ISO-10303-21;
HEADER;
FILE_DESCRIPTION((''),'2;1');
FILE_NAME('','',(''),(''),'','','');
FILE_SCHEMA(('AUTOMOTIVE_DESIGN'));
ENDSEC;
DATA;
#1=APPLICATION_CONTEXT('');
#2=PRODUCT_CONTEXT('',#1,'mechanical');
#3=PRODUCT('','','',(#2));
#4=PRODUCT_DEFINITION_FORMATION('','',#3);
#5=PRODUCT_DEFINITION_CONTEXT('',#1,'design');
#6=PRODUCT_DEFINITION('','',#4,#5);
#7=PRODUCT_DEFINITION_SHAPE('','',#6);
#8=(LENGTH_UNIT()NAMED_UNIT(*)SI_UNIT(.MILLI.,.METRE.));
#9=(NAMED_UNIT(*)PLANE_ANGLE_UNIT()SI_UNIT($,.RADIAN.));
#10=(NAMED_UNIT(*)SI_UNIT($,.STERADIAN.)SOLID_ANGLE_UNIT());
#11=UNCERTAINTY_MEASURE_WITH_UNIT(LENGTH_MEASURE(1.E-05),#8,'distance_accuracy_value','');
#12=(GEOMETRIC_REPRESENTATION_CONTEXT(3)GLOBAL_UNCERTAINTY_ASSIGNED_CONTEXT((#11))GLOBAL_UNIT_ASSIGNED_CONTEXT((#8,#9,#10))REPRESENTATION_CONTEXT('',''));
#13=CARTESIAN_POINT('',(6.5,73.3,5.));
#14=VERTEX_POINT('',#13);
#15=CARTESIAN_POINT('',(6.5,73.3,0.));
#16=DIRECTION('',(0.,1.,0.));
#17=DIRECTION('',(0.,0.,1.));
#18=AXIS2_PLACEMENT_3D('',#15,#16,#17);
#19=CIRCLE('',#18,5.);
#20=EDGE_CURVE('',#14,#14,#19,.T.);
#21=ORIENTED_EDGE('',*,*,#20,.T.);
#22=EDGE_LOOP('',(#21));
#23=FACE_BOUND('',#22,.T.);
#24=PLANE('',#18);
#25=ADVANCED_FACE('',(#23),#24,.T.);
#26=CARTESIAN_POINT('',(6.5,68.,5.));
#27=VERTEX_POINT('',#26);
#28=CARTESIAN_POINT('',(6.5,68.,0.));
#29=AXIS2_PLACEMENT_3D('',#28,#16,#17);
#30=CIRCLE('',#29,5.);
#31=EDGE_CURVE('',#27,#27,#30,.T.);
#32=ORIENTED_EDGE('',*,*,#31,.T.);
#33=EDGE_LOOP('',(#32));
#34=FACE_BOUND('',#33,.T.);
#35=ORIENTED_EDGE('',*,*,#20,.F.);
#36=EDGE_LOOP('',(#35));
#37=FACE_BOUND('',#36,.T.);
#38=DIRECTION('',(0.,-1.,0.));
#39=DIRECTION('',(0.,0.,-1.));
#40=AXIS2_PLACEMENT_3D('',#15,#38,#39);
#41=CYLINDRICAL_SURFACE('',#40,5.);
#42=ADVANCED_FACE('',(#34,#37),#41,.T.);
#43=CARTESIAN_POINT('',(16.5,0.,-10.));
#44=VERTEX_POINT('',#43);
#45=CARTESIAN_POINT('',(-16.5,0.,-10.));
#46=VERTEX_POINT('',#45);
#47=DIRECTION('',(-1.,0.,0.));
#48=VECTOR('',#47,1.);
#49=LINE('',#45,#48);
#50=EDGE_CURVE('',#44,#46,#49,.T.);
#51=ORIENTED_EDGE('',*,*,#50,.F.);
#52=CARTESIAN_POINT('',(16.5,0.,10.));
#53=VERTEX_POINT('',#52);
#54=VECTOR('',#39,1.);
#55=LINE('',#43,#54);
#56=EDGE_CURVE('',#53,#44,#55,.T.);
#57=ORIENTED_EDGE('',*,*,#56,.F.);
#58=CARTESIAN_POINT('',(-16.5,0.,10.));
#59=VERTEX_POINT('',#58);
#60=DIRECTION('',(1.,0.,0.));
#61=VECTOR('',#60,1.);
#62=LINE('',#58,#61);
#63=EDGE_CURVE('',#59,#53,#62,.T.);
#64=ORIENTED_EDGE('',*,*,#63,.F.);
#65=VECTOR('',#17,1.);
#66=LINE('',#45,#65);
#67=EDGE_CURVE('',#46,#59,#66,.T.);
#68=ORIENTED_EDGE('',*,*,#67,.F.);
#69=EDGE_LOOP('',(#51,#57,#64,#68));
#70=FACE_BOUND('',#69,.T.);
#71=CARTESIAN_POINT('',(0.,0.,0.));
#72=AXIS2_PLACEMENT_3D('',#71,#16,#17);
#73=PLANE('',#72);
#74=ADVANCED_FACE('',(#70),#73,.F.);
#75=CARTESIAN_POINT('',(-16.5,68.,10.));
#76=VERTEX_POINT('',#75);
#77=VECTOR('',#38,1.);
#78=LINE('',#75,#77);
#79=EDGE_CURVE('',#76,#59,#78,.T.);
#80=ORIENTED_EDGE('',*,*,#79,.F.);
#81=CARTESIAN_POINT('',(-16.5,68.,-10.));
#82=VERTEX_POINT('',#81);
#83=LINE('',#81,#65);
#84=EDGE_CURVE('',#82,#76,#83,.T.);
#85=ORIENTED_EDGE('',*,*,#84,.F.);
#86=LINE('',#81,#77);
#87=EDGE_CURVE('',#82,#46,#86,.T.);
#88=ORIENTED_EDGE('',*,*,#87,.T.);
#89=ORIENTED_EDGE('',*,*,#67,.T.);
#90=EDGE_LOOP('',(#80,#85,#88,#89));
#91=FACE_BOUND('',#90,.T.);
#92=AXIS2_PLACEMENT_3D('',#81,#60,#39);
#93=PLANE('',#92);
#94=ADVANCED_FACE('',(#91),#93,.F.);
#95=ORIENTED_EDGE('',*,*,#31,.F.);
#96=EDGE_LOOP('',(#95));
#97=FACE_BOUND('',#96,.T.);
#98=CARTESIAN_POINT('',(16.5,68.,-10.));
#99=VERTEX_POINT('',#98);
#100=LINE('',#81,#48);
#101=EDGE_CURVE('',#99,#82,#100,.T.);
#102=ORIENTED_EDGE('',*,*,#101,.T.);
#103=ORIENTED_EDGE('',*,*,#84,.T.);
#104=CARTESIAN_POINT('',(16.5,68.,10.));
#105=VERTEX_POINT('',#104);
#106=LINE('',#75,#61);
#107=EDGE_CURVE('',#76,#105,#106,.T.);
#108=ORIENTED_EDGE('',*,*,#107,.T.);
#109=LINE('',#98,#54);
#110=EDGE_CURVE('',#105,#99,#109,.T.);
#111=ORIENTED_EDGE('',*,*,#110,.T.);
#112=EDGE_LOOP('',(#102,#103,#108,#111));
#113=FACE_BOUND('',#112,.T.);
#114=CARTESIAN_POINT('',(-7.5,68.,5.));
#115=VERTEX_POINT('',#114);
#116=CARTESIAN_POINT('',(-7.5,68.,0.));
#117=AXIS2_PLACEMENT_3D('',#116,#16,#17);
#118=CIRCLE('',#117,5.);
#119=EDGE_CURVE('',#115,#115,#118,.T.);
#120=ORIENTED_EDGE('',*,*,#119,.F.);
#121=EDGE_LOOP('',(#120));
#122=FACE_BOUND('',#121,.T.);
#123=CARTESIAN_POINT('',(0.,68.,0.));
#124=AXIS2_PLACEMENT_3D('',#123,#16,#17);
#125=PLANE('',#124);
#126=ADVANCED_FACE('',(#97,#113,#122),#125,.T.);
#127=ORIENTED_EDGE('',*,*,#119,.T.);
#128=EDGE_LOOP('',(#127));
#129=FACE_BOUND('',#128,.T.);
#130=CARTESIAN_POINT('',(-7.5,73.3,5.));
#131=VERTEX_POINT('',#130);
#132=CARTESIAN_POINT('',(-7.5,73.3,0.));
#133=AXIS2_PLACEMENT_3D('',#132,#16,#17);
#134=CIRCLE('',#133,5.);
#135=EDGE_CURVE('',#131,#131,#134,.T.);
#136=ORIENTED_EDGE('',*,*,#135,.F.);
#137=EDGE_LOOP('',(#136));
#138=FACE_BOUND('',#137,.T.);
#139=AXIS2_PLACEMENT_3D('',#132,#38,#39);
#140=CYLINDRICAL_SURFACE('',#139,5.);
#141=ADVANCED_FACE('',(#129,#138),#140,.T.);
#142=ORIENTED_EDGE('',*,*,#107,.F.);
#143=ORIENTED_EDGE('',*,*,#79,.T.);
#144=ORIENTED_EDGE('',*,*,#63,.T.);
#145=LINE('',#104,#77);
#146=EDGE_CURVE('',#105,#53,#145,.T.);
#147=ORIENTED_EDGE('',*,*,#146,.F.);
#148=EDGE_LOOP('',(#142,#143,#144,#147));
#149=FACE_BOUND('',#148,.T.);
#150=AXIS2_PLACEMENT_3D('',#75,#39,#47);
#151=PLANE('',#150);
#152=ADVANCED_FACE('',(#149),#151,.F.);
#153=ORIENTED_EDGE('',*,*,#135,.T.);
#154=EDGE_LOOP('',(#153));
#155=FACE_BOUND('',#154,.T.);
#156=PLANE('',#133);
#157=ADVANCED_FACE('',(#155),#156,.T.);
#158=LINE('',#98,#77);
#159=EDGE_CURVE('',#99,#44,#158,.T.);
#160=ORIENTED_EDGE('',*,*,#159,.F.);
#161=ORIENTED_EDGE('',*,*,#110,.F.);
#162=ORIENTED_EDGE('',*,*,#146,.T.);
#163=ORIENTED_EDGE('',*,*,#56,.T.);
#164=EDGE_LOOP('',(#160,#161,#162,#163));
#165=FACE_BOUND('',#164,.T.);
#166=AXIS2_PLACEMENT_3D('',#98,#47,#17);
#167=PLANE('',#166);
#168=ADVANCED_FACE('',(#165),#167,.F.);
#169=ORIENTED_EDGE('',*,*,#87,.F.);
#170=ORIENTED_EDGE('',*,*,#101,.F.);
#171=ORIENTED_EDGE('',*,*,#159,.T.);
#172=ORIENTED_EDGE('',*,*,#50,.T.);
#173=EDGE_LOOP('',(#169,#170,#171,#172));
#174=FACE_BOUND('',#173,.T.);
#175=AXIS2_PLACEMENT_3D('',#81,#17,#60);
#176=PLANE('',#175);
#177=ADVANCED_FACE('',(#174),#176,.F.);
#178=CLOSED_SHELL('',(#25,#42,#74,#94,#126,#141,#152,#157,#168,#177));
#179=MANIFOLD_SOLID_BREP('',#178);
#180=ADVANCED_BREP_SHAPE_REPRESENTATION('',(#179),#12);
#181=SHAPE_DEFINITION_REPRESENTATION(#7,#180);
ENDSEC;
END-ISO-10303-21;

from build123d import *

# Parameters (mm, degrees)
SKETCH1_W           = 33
SKETCH1_H           = 20
BOSS_EXTRUDE2_DEPTH = 68
SKETCH2_R           = 5
BOSS_EXTRUDE3_DEPTH = 5.3


with BuildPart() as part:
    # Sketch1 → Boss-Extrude2 (new body)
    with BuildSketch(Plane(origin=(0, 0, 0), x_dir=(1, 0, 0), z_dir=(0, 1, 0))):
        Rectangle(SKETCH1_W, SKETCH1_H)
    extrude(amount=BOSS_EXTRUDE2_DEPTH)

    # Sketch2 → Boss-Extrude3 (add)
    with BuildSketch(Plane(origin=(0, 68, 0), x_dir=(1, 0, 0), z_dir=(0, 1, 0))):
        with Locations(Location((-7.5, 0, 0), (0, 0, 270))):
            Circle(SKETCH2_R)
        with Locations(Location((6.5, 0, 0), (0, 0, 270))):
            Circle(SKETCH2_R)
    extrude(amount=BOSS_EXTRUDE3_DEPTH)


solid = part.part
